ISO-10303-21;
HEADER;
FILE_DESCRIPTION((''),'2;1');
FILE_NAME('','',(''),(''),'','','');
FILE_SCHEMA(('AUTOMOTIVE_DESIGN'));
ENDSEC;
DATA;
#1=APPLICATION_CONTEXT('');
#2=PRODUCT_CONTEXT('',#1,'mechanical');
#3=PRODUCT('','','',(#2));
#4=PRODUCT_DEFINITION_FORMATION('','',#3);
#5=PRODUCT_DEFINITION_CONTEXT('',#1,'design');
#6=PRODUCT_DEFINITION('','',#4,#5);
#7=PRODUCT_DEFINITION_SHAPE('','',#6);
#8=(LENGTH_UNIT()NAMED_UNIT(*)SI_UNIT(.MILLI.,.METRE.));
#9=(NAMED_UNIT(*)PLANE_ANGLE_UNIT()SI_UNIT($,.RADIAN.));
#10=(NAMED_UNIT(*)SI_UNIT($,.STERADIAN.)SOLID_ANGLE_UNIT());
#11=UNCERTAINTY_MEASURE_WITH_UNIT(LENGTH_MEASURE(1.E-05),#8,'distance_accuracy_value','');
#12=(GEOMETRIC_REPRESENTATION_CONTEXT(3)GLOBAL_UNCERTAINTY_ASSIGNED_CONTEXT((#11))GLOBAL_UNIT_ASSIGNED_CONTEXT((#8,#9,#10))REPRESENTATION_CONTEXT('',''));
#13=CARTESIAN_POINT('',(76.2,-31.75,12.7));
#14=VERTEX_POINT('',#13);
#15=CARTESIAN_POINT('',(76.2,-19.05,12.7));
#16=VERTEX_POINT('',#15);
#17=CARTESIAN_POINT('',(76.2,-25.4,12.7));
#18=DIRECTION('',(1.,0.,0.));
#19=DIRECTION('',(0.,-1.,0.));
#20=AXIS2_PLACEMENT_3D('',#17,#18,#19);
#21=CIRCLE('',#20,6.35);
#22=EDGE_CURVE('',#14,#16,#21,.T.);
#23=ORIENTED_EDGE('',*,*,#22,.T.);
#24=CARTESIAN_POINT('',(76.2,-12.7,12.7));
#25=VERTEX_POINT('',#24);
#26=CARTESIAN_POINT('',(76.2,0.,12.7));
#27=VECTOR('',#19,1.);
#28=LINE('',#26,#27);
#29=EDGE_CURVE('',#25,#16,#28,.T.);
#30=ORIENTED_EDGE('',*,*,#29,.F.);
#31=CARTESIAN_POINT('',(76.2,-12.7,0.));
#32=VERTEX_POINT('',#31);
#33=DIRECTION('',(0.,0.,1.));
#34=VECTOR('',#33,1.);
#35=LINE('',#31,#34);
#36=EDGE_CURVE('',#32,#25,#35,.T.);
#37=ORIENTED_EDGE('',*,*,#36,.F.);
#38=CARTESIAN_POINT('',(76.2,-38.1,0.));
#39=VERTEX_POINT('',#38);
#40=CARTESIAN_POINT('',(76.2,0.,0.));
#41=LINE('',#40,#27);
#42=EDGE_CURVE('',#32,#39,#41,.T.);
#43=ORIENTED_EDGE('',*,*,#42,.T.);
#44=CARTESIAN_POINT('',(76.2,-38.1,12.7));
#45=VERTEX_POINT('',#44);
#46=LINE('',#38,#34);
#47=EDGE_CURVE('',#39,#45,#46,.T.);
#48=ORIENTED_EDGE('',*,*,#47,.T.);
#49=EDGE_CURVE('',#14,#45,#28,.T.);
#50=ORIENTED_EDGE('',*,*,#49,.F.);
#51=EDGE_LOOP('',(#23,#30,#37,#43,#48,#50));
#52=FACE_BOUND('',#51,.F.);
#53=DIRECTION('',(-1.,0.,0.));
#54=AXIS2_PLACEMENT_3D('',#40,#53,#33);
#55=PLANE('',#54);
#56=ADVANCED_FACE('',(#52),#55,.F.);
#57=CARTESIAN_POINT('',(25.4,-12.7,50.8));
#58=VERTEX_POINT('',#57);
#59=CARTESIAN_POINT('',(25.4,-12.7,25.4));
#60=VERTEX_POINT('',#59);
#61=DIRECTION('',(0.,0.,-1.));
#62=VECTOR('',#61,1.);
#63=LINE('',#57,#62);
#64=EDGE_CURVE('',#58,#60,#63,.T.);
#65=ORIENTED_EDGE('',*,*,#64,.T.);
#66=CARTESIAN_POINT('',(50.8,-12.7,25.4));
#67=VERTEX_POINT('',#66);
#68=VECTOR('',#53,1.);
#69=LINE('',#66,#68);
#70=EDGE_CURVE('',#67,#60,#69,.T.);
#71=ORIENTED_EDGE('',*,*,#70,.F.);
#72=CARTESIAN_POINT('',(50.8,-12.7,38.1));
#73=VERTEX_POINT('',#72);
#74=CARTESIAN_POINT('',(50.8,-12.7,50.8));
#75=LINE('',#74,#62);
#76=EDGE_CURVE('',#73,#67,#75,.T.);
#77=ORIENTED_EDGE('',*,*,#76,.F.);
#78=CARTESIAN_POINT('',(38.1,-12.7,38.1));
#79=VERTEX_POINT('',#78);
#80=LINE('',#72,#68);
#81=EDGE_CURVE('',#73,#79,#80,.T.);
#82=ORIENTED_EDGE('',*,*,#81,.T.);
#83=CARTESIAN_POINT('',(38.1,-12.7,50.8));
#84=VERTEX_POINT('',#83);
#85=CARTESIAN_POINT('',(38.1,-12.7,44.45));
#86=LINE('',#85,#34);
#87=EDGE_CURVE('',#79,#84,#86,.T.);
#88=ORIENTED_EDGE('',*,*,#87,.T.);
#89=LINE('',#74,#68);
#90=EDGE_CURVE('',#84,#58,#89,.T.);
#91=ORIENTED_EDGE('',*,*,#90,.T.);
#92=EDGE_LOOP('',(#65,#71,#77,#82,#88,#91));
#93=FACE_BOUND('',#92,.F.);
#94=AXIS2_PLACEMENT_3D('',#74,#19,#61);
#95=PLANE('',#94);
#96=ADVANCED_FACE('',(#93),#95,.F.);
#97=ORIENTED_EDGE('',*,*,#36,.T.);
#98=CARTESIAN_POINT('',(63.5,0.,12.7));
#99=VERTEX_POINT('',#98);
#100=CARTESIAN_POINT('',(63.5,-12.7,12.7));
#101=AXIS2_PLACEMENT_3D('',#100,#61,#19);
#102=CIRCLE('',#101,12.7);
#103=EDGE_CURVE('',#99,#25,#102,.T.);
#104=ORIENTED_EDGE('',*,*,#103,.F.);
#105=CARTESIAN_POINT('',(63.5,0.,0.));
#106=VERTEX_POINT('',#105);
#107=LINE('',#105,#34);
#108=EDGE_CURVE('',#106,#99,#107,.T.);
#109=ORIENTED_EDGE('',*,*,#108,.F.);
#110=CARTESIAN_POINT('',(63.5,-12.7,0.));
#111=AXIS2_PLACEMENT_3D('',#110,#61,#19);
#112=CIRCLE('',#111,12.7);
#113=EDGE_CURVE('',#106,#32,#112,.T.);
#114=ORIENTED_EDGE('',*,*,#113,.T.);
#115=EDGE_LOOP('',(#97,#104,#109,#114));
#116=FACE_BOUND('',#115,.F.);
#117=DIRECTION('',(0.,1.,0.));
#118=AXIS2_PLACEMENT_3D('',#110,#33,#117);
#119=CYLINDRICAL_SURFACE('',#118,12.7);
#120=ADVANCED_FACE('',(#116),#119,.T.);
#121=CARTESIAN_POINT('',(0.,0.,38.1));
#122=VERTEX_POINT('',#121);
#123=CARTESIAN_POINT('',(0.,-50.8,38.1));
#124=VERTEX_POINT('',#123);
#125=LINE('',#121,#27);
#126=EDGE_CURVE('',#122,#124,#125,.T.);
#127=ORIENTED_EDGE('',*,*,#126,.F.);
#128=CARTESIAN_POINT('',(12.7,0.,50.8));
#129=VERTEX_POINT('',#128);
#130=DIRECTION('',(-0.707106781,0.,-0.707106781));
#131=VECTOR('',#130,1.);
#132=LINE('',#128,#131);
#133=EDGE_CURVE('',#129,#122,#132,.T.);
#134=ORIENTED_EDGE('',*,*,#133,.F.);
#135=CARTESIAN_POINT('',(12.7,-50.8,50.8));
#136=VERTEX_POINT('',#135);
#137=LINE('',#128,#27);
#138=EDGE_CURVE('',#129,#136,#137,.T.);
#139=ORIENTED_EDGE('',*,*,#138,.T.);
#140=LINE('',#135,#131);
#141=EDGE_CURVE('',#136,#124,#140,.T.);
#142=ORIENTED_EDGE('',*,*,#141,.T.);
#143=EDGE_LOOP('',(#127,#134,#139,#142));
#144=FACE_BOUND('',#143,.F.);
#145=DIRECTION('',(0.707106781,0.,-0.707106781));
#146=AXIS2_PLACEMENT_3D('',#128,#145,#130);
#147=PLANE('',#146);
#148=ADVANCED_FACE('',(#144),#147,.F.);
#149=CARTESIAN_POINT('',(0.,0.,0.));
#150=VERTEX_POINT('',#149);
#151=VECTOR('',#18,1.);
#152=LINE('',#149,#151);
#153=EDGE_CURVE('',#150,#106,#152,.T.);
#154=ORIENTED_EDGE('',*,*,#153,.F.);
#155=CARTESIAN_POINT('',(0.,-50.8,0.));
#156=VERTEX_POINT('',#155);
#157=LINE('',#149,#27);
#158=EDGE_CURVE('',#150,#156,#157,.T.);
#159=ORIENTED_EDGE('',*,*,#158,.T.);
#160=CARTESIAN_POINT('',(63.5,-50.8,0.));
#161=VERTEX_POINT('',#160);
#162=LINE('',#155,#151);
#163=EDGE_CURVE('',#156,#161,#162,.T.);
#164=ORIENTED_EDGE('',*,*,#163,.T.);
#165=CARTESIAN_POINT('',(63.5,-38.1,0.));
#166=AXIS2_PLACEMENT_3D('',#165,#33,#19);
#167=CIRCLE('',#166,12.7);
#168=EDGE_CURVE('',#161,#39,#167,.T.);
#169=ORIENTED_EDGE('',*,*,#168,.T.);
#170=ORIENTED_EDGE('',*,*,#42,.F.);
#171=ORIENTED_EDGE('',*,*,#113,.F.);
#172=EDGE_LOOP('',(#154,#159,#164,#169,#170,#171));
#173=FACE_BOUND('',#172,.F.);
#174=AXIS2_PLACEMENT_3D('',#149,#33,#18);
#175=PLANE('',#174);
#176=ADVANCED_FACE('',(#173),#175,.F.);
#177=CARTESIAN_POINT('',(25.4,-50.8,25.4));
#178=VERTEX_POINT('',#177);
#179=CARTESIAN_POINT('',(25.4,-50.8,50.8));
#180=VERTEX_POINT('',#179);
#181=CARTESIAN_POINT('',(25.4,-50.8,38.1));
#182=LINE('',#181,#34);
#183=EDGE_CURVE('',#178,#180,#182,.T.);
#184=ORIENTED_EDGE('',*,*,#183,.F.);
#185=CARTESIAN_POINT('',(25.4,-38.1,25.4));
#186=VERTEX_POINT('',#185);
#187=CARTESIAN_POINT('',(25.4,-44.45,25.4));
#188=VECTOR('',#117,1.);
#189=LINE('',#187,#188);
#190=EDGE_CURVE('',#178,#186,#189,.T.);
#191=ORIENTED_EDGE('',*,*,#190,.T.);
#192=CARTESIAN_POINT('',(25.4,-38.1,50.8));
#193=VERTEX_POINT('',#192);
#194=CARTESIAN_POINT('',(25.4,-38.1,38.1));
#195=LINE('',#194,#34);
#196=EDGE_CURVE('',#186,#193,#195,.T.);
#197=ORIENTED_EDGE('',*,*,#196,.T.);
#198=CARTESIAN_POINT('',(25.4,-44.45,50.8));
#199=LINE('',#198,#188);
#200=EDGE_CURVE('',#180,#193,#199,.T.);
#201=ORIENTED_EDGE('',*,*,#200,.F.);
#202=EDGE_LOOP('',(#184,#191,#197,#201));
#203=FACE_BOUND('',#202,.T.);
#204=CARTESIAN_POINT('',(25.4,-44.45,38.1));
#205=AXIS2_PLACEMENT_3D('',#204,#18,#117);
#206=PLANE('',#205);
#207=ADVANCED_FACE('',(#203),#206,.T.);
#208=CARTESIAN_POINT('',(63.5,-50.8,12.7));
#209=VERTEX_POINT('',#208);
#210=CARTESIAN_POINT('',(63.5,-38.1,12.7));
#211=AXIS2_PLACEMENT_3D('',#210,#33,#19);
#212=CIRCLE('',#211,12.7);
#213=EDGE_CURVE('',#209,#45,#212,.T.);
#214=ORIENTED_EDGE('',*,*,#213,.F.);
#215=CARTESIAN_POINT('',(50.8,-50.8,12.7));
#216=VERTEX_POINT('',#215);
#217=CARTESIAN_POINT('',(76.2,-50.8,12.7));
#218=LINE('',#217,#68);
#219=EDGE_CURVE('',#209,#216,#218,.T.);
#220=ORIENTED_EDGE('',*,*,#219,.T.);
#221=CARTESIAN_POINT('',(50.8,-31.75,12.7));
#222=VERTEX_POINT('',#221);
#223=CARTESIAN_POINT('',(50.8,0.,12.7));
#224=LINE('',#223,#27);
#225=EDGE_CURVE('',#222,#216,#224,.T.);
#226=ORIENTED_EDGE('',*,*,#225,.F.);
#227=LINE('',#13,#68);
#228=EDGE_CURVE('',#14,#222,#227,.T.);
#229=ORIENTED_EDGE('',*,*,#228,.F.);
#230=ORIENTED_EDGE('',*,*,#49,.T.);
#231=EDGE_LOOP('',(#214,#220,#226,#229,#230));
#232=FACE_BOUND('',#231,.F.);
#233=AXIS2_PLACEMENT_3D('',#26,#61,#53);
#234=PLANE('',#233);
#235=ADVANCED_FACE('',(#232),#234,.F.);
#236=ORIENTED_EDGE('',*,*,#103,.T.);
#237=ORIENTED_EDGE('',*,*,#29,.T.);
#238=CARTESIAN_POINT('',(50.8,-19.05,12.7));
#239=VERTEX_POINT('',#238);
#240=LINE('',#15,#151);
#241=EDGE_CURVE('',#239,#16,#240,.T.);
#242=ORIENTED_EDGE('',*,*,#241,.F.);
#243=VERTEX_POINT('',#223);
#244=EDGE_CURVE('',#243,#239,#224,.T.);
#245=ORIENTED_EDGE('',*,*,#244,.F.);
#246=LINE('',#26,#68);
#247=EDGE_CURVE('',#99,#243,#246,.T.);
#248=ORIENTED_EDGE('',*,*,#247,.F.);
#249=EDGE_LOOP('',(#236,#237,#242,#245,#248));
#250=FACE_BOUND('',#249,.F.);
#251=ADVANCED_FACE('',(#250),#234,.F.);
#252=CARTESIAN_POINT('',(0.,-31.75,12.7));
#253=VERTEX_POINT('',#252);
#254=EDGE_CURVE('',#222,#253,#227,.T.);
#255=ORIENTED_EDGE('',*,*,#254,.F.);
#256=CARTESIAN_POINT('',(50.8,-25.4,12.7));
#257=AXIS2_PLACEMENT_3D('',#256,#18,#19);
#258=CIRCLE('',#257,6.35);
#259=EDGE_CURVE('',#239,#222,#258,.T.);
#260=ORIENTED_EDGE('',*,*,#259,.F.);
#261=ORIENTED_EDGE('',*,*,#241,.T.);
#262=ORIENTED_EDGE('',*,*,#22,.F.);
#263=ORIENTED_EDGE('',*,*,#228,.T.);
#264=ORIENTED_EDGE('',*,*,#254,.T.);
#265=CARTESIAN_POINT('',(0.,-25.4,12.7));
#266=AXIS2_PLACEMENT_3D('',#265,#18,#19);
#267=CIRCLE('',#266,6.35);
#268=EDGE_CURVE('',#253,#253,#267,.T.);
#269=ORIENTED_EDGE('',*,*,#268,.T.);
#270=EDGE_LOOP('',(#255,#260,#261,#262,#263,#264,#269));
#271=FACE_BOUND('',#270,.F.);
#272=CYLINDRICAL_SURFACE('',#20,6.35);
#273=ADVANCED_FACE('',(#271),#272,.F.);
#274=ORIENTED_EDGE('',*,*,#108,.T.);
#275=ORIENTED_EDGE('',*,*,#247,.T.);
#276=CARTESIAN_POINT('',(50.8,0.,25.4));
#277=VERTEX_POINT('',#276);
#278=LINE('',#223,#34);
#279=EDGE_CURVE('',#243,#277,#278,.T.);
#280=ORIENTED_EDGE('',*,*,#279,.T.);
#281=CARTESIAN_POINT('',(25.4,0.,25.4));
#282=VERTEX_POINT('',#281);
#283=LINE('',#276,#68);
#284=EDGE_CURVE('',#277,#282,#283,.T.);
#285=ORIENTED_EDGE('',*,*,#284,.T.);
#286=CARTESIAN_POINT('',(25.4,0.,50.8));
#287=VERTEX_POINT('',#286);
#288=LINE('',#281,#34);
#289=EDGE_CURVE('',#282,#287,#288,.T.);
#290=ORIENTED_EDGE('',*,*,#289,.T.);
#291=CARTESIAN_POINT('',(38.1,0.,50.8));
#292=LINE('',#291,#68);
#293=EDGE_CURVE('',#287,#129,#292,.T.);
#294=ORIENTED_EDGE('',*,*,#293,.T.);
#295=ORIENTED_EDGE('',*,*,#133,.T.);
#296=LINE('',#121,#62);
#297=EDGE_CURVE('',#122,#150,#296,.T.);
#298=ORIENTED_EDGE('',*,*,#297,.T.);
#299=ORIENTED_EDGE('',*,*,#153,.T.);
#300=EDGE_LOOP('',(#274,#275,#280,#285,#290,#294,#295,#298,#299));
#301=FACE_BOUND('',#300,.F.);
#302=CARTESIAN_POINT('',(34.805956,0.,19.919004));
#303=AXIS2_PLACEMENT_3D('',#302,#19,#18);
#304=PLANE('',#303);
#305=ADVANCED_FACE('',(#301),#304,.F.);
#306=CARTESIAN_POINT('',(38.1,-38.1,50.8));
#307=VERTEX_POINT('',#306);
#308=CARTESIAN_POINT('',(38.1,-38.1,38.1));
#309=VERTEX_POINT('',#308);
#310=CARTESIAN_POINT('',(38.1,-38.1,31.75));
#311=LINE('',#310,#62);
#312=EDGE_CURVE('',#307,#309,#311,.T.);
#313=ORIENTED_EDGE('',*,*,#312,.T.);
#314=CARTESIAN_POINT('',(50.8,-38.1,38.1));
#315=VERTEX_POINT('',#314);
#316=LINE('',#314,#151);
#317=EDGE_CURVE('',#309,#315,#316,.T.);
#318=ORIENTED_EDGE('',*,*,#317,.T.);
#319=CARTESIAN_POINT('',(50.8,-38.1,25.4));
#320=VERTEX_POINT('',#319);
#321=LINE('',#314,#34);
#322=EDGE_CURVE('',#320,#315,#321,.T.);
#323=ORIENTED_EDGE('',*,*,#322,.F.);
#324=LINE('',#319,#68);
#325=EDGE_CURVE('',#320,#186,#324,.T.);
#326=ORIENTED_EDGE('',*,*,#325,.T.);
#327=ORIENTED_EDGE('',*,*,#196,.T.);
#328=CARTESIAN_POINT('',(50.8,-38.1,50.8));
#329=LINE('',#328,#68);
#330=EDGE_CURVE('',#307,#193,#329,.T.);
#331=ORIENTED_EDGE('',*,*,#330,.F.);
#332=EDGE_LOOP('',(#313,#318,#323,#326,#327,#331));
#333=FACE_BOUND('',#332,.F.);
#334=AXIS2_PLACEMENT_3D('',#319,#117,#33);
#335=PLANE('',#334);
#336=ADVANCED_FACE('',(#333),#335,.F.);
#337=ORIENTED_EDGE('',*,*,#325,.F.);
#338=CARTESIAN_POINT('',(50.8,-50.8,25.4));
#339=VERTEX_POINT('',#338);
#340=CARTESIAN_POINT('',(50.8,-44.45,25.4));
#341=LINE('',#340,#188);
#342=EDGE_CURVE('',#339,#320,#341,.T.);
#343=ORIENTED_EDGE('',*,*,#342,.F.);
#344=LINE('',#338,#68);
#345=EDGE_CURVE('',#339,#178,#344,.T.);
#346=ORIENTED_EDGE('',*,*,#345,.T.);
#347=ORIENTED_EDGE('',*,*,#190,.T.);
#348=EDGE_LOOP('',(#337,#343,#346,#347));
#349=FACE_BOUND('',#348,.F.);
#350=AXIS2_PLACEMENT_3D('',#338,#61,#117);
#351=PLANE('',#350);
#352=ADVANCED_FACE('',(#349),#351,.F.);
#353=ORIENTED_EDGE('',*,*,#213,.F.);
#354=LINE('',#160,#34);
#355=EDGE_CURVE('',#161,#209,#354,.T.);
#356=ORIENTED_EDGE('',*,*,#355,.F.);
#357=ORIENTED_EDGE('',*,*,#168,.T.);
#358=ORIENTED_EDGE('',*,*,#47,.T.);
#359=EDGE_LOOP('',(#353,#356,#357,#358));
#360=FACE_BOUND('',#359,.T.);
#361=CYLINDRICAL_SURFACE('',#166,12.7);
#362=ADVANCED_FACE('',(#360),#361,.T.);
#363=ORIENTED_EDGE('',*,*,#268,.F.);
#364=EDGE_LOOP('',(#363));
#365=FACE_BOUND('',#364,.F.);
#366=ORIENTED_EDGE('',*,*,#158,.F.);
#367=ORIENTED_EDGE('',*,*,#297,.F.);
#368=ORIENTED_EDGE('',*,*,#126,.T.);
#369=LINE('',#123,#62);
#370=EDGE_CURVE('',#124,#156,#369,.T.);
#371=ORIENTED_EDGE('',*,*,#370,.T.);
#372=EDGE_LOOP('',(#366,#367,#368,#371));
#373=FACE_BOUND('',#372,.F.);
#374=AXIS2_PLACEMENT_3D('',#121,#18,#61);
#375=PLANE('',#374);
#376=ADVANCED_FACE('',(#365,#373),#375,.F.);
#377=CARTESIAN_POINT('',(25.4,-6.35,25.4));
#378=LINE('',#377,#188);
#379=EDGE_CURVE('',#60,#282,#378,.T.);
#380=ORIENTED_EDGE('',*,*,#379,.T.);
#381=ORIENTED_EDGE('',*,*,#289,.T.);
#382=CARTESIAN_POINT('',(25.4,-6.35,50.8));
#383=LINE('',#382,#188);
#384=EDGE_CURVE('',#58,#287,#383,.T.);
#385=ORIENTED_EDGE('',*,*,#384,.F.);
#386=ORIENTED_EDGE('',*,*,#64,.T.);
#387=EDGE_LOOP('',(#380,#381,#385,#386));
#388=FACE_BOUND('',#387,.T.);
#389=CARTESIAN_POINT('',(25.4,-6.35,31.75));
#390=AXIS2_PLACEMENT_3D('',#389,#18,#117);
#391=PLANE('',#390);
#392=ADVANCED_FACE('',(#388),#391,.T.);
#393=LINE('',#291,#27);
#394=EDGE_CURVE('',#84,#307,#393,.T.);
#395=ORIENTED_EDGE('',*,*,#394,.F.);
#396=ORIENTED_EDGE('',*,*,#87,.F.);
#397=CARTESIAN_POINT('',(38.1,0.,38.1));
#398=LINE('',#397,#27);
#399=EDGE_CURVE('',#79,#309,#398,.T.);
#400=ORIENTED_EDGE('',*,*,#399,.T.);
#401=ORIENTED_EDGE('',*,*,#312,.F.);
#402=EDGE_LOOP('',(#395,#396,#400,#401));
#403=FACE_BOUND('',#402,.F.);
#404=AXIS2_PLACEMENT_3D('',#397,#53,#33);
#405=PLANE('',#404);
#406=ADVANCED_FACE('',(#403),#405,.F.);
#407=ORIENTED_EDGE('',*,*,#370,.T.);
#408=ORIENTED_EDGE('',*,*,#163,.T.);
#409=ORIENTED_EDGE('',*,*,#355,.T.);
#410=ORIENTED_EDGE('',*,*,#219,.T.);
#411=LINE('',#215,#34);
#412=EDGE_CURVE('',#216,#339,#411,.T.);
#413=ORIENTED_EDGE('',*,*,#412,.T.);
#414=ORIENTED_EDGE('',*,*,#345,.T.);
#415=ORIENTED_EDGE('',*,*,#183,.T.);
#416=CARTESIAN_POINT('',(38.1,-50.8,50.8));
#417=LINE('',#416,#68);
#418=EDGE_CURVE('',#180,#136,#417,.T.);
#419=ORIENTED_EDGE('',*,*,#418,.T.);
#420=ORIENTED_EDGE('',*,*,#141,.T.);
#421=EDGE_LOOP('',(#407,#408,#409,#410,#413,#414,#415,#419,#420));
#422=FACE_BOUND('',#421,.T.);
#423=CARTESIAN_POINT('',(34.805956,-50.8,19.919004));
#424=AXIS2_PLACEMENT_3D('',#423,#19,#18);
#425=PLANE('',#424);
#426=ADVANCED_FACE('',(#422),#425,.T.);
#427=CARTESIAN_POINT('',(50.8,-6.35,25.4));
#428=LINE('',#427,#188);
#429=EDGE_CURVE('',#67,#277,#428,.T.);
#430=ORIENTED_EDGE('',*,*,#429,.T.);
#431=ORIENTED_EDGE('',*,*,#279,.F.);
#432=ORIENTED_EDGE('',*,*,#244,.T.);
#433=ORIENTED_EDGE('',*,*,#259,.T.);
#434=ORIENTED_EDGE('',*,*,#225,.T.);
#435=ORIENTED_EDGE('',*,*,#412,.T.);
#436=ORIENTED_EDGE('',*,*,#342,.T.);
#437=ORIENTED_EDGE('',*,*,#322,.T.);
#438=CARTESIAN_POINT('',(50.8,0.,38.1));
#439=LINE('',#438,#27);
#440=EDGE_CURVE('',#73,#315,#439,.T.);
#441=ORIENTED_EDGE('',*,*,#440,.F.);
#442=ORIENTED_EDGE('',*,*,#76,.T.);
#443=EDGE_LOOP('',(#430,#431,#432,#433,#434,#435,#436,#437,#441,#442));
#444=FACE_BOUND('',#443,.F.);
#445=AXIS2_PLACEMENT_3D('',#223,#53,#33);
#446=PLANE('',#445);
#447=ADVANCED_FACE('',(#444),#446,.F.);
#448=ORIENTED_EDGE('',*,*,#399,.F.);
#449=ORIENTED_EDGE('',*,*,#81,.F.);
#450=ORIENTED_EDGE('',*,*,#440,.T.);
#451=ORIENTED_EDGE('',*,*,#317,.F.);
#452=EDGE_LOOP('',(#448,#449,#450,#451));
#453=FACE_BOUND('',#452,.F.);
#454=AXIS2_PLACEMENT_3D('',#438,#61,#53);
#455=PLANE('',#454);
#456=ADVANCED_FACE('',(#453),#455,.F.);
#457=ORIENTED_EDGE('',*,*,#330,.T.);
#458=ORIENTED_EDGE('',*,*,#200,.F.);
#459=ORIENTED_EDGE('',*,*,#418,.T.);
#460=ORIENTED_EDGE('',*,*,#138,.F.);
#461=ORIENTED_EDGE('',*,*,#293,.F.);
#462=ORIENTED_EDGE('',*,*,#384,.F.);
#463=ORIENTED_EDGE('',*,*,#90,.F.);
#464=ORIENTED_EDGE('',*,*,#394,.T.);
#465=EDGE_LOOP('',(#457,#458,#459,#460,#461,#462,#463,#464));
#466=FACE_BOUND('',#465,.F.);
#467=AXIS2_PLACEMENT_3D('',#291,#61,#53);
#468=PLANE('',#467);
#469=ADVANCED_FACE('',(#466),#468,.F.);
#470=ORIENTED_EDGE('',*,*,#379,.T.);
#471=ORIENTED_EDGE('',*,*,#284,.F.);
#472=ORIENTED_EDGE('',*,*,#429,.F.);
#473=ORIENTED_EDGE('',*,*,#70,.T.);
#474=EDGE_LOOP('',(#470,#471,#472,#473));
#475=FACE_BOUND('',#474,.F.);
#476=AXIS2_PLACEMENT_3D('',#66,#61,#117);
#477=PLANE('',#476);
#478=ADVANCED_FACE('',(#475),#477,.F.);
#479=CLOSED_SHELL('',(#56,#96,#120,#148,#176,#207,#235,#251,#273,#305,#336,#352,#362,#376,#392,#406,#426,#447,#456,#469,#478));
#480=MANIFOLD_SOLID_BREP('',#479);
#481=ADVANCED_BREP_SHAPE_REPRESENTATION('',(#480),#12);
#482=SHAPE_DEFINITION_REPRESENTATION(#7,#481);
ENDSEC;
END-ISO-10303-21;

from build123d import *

# Parameters (mm, degrees)
F1_DEPTH = 50.8
F2_W     = 12.7
F2_H     = 25.4
F3_DEPTH = 25.4
F4_W     = 12.7
F4_H     = 12.7
F5_DEPTH = 25.4
F7_DEPTH = 76.201
F8_R     = 12.7


with BuildPart() as f1:
    # F0 (on Front) → F1 (new body)
    with BuildSketch(Plane.XZ):
        Polygon((0, 38.1), (0, 0), (76.2, 0), (76.2, 12.7), (50.8, 12.7), (50.8, 38.1), (38.1, 38.1), (38.1, 50.8), (12.7, 50.8), align=None)
    extrude(amount=F1_DEPTH)

    # F2 (on face) → F3 (cut)
    with BuildSketch(Plane.YZ.offset(50.8)):
        with Locations((-44.45, 38.1)):
            Rectangle(F2_W, F2_H)
    extrude(amount=-F3_DEPTH, mode=Mode.SUBTRACT)

    # F4 (on face) → F5 (cut)
    with BuildSketch(Plane.YZ.offset(50.8)):
        with Locations((-6.35, 31.75)):
            Rectangle(F4_W, F4_H)
        with Locations((-6.35, 44.45)):
            Rectangle(F4_W, F4_H)
    extrude(amount=-F5_DEPTH, mode=Mode.SUBTRACT)

    # F6 (on face) → F7 (cut, through all)
    with BuildSketch(Plane.YZ.offset(76.2)):
        with BuildLine():
            Line((-31.75, 12.7), (-19.05, 12.7))
            ThreePointArc((-19.05, 12.7), (-25.4, 19.05), (-31.75, 12.7))
        make_face()
        with BuildLine():
            ThreePointArc((-31.75, 12.7), (-25.4, 6.35), (-19.05, 12.7))
            Line((-19.05, 12.7), (-31.75, 12.7))
        make_face()
    extrude(amount=-F7_DEPTH, mode=Mode.SUBTRACT)

    # F8
    f8_edges = [f1.edges().sort_by_distance(p)[0] for p in [
        (76.2, -50.8, 6.35),
        (76.2, 0, 6.35),
    ]]
    fillet(f8_edges, radius=F8_R)


solid = f1.part
